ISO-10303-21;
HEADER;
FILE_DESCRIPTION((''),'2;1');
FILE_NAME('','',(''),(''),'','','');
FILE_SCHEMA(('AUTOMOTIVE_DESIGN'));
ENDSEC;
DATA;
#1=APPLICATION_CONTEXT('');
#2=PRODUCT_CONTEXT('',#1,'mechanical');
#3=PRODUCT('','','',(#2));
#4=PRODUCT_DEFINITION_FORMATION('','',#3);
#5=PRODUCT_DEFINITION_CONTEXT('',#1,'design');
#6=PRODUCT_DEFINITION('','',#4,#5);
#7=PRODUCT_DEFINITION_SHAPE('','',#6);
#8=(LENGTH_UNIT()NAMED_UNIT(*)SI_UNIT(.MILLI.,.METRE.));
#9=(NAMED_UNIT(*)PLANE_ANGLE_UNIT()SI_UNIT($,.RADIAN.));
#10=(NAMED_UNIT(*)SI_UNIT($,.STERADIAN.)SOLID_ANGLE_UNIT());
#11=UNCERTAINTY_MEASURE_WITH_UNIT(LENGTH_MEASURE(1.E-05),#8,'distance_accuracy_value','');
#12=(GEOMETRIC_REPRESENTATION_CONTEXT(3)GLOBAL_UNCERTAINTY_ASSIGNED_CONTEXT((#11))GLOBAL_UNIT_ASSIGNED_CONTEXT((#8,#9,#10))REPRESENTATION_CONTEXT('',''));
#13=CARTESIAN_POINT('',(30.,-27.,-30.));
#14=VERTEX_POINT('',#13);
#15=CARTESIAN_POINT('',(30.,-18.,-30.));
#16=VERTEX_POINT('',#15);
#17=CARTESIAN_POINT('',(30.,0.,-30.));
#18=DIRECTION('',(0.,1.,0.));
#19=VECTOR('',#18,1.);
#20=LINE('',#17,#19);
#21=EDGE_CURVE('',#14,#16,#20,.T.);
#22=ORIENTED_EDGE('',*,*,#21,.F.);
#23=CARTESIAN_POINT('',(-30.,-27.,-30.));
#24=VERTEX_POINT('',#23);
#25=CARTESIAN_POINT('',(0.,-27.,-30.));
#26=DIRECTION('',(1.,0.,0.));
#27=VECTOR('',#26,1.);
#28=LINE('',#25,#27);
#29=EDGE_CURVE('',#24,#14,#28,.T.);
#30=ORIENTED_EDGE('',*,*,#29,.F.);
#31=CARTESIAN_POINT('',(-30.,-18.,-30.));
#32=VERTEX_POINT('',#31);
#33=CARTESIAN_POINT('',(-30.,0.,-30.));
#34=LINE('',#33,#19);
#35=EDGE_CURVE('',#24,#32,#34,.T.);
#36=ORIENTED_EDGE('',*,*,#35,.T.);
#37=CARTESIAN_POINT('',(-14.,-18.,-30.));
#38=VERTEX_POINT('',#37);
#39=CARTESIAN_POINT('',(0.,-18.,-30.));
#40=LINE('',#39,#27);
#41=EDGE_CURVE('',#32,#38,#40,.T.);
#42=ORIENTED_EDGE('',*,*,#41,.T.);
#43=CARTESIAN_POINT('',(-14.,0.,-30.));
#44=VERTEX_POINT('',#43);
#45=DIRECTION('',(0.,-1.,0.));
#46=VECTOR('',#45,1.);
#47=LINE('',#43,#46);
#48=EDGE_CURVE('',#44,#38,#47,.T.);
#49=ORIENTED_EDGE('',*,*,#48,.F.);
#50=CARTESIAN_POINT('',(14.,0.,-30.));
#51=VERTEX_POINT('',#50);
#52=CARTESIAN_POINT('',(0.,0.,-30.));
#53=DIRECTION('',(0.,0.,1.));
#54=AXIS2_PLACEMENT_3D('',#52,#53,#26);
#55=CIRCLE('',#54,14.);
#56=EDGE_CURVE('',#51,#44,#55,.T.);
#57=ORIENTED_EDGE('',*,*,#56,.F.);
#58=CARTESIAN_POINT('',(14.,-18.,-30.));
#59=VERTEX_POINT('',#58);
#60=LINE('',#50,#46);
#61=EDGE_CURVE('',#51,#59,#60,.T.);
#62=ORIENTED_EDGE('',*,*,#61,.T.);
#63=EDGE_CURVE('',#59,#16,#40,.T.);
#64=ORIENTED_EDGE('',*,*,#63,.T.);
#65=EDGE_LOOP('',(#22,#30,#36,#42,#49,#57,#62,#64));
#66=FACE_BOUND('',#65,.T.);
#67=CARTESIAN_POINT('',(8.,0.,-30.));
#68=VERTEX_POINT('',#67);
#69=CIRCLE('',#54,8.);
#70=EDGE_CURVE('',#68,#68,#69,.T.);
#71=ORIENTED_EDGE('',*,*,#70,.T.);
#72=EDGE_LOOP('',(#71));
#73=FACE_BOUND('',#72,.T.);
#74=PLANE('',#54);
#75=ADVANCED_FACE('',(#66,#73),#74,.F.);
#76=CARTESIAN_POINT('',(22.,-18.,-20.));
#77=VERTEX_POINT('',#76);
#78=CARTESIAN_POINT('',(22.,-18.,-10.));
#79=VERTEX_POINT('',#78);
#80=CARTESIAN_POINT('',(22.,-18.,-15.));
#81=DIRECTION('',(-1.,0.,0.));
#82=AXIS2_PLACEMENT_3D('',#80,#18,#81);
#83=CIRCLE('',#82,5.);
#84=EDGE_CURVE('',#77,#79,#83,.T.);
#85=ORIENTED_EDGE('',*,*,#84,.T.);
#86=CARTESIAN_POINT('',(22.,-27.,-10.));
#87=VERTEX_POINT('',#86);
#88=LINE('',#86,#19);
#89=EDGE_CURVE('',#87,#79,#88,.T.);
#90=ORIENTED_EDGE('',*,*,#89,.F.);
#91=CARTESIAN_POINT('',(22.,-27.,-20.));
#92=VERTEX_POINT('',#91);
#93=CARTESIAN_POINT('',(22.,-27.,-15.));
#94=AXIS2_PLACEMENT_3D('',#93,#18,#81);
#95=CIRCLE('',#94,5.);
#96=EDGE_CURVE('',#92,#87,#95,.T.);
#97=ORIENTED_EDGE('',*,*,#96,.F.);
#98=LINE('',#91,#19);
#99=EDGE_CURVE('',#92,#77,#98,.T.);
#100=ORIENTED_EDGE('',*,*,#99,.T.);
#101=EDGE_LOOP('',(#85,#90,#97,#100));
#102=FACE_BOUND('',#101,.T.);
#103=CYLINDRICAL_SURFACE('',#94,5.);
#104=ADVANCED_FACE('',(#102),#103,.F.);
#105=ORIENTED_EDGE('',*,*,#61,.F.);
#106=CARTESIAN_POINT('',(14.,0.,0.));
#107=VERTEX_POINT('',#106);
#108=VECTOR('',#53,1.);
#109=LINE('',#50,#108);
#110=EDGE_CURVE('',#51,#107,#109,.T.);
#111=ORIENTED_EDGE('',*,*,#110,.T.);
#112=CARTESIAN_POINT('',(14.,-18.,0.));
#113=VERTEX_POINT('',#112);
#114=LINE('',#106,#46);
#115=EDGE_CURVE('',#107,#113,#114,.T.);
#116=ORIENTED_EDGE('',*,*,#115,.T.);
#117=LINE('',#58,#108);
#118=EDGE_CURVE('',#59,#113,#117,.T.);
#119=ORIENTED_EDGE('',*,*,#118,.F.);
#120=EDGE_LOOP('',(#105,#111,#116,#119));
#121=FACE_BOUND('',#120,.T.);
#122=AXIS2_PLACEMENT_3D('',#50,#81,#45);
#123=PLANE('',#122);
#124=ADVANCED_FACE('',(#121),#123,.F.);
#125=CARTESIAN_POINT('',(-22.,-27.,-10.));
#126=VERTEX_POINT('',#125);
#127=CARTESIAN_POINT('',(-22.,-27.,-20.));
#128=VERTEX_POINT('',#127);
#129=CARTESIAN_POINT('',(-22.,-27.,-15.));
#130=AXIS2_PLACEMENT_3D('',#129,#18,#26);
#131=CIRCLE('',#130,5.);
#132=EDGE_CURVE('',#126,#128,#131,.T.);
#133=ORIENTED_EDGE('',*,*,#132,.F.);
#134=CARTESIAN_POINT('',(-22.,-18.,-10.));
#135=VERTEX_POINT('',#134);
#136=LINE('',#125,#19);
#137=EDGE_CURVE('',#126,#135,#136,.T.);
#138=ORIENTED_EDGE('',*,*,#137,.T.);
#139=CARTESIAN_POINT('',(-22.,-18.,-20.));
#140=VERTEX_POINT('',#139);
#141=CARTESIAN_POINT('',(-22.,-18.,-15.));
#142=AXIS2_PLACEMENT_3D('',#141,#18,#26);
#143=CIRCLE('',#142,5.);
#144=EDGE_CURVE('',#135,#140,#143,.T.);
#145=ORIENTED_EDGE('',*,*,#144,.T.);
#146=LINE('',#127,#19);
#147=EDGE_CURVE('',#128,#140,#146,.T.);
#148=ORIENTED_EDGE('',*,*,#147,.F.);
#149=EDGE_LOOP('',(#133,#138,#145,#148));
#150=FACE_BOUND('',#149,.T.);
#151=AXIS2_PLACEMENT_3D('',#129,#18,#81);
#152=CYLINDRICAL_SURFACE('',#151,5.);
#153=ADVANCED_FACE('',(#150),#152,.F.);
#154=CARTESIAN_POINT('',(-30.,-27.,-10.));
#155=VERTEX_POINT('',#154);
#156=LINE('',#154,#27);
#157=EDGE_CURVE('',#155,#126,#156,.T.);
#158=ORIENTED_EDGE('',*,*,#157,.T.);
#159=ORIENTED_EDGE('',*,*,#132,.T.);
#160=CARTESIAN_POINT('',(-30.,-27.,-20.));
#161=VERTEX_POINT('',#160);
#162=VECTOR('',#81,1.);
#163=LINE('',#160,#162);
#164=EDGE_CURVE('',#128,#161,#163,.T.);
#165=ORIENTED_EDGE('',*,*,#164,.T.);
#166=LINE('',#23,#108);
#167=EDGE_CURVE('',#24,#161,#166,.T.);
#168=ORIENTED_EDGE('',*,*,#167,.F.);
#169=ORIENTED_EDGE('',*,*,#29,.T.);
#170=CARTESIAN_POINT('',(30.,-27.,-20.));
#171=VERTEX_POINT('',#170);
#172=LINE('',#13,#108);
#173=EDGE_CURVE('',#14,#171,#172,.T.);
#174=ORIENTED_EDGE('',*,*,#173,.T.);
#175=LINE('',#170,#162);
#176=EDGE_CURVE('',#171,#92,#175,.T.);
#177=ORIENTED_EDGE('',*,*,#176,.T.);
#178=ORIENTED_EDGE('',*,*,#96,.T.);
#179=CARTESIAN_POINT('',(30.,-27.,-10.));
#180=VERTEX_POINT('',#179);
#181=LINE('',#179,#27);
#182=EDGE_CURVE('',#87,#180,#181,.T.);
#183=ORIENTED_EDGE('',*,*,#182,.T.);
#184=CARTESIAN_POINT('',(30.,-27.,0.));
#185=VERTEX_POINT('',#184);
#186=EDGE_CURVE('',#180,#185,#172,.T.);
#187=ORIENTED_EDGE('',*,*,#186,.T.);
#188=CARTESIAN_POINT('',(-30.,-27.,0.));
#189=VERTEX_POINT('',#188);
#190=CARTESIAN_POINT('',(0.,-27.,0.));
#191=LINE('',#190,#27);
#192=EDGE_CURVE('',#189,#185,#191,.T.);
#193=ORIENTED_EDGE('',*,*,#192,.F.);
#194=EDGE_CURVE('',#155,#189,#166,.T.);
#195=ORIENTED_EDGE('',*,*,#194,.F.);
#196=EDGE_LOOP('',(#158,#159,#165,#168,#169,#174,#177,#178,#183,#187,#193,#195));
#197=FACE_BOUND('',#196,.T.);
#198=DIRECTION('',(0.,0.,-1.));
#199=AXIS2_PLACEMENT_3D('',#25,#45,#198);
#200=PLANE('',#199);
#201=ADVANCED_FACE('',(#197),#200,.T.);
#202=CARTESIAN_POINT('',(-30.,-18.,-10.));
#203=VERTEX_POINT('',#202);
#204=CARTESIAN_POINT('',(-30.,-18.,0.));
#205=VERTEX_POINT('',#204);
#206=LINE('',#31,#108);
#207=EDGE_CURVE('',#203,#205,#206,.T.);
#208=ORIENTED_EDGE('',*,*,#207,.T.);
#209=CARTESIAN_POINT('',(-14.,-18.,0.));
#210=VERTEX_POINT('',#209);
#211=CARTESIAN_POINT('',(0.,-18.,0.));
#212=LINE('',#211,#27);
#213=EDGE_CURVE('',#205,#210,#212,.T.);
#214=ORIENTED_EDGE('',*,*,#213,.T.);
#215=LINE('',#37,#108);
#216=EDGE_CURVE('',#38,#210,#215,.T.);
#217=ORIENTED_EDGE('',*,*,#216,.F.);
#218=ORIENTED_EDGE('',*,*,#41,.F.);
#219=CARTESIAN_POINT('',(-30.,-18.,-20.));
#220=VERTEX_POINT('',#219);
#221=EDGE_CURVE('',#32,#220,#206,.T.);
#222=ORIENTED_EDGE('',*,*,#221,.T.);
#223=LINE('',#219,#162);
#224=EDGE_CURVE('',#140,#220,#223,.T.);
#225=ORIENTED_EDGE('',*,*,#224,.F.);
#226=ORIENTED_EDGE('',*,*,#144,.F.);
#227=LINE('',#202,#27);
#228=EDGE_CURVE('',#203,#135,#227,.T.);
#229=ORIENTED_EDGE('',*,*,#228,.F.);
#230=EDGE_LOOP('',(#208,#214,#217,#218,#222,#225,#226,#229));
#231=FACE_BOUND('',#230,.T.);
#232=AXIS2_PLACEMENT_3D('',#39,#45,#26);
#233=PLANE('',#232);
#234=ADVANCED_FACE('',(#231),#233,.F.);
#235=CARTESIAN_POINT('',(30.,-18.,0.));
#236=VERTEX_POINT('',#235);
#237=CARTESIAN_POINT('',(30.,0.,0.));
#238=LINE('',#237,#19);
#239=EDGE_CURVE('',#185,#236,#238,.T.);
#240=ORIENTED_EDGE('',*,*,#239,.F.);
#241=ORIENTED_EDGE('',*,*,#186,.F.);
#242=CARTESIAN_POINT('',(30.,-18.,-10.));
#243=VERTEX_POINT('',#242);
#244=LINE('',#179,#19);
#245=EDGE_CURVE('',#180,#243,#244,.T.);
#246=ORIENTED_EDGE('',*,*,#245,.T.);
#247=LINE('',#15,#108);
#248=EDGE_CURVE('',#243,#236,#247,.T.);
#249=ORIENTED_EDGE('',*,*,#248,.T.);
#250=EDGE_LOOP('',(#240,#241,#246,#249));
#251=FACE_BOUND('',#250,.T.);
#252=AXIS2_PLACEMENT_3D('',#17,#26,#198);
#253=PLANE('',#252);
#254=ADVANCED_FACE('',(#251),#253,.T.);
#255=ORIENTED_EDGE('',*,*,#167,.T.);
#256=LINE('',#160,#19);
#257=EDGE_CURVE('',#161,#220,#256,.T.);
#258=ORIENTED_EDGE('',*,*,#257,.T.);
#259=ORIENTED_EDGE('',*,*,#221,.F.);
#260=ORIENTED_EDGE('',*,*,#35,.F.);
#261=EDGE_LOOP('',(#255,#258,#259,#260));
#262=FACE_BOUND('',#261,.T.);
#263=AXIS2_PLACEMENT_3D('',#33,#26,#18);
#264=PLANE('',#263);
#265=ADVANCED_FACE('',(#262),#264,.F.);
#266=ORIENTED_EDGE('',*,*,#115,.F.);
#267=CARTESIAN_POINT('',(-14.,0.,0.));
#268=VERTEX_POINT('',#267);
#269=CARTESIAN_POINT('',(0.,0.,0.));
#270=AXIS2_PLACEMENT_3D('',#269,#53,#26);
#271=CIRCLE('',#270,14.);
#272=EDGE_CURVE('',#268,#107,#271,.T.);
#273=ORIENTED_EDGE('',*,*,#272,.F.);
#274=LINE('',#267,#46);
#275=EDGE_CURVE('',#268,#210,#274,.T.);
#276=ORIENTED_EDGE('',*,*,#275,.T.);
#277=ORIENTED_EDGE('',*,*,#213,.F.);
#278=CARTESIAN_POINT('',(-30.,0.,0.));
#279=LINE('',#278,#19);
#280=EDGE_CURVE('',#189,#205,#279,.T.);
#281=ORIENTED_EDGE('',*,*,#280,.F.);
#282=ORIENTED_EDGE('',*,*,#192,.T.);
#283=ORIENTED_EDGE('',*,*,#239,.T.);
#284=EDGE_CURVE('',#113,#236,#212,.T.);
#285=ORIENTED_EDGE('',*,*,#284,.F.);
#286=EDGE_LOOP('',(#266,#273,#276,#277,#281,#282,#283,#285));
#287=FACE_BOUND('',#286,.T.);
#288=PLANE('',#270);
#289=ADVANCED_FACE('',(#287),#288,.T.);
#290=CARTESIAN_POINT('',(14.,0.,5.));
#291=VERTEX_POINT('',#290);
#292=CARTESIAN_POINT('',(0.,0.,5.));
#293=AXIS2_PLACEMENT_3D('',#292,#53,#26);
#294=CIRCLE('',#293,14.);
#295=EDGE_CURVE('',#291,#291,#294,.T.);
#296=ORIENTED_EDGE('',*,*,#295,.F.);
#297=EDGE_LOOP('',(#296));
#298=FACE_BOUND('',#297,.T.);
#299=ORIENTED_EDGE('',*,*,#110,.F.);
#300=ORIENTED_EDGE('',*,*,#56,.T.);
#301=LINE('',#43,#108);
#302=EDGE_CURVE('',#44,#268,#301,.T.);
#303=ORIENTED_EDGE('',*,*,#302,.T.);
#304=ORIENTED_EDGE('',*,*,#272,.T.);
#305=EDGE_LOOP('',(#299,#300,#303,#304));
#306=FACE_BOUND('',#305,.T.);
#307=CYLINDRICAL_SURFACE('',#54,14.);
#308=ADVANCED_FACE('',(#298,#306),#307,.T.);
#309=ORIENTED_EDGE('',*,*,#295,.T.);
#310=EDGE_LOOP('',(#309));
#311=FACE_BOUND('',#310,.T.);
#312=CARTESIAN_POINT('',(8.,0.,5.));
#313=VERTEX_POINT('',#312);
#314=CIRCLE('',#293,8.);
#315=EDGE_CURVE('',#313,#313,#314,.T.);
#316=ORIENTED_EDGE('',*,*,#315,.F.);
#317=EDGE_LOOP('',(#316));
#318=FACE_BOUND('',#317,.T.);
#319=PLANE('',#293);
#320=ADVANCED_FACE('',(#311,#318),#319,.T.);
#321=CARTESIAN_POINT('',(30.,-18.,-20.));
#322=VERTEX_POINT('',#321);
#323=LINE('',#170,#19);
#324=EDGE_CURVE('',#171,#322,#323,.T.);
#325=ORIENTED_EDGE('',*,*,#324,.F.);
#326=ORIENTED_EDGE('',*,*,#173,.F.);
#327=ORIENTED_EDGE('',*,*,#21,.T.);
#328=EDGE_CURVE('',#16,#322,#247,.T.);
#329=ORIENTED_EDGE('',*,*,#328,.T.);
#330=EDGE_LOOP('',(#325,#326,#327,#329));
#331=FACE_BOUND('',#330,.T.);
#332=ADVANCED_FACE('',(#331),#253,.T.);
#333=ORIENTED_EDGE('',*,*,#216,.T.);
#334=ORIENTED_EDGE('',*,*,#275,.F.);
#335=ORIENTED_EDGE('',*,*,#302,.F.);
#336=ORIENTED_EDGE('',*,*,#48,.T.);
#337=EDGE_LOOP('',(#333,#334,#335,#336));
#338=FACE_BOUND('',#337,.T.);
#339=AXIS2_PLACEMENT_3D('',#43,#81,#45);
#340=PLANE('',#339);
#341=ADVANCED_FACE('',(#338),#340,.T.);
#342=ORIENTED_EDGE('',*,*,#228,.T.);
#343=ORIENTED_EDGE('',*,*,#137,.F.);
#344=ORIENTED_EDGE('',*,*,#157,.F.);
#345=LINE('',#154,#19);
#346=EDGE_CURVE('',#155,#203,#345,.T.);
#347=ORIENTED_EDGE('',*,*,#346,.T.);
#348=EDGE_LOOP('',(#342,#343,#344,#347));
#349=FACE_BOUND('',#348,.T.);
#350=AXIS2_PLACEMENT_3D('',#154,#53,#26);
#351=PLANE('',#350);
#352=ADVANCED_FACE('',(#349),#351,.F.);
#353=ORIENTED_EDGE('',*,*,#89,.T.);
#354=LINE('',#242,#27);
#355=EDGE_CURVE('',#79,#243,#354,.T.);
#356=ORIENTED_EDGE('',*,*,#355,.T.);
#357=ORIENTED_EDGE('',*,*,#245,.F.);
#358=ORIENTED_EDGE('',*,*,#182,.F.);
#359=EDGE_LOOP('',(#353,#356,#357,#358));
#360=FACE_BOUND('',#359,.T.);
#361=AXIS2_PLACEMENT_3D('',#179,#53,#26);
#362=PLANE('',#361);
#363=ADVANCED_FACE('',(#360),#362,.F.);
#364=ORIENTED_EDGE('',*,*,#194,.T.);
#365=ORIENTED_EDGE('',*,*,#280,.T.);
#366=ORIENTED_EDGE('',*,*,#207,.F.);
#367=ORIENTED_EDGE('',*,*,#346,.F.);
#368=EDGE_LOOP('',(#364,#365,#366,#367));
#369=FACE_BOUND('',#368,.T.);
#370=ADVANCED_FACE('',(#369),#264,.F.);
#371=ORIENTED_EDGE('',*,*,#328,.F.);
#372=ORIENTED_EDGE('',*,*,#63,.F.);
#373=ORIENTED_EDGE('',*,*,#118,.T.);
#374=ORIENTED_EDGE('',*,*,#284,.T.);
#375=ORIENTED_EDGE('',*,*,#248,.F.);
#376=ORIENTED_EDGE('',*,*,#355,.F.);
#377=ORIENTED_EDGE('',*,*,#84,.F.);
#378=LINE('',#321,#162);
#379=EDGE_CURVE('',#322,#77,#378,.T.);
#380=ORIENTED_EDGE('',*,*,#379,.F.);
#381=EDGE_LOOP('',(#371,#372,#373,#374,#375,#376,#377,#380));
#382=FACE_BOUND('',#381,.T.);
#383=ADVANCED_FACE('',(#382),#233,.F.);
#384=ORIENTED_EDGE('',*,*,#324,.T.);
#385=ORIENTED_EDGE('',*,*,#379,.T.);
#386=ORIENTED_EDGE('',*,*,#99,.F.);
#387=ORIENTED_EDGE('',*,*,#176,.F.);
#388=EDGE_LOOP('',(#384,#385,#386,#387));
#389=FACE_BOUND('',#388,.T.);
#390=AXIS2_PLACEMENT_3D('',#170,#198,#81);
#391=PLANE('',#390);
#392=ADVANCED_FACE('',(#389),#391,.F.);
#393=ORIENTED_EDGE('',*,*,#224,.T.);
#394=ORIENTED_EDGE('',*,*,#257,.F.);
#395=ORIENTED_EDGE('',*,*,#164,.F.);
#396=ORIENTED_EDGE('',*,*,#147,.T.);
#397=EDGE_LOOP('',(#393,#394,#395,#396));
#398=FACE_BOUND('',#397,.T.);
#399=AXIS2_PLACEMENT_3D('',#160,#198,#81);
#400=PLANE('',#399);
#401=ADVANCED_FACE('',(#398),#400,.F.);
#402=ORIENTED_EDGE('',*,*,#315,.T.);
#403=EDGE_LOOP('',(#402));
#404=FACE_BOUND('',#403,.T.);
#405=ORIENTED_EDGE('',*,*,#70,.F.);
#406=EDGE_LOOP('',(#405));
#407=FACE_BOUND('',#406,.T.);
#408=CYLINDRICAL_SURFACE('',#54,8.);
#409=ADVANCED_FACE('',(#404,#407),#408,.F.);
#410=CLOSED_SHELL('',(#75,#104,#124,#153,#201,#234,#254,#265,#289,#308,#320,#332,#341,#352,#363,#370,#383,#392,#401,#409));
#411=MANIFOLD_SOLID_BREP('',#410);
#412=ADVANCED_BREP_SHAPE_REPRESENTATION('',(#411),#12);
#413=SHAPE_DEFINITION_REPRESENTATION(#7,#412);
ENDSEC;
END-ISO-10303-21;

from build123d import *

# Parameters (mm, degrees)
SKETCH_1_R          = 8
EXTRUDE_1_DEPTH     = 30
EXTRUDE_START       = 5
SKETCH_1_3_R        = 14
SKETCH_1_3_R_2      = 8
EXTRUDE_2_DEPTH     = 5
CUT_EXTRUDE_1_DEPTH = 54.141321022


with BuildPart() as part:
    # 草图1 → 凸台-拉伸1 (new body)
    with BuildSketch(Plane.XY):
        with BuildLine():
            Line((30, -18), (14, -18))
            Line((14, -18), (14, 0))
            ThreePointArc((14, 0), (0, 14), (-14, 0))
            Line((-14, 0), (-14, -18))
            Line((-14, -18), (-30, -18))
            Line((-30, -18), (-30, -27))
            Line((-30, -27), (30, -27))
            Line((30, -27), (30, -18))
        make_face()
        Circle(SKETCH_1_R, mode=Mode.SUBTRACT)
    extrude(amount=-EXTRUDE_1_DEPTH)

    # 草图1<3> → 凸台-拉伸2 (add)
    with BuildSketch(Plane.XY.offset(EXTRUDE_START)):
        Circle(SKETCH_1_3_R)
        Circle(SKETCH_1_3_R_2, mode=Mode.SUBTRACT)
    extrude(amount=-EXTRUDE_2_DEPTH)

    # 草图2 → 切除-拉伸1 (cut, through all)
    with BuildSketch(Plane(origin=(0, -18, 0), x_dir=(1, 0, 0), z_dir=(0, 1, 0))):
        with BuildLine():
            Line((30, 10), (22, 10))
            ThreePointArc((22, 10), (17, 15), (22, 20))
            Line((22, 20), (30, 20))
            Line((30, 20), (30, 10))
        make_face()
        with BuildLine():
            Line((-30, 20), (-22, 20))
            ThreePointArc((-22, 20), (-17, 15), (-22, 10))
            Line((-22, 10), (-30, 10))
            Line((-30, 10), (-30, 20))
        make_face()
    extrude(amount=-CUT_EXTRUDE_1_DEPTH, mode=Mode.SUBTRACT)


solid = part.part
